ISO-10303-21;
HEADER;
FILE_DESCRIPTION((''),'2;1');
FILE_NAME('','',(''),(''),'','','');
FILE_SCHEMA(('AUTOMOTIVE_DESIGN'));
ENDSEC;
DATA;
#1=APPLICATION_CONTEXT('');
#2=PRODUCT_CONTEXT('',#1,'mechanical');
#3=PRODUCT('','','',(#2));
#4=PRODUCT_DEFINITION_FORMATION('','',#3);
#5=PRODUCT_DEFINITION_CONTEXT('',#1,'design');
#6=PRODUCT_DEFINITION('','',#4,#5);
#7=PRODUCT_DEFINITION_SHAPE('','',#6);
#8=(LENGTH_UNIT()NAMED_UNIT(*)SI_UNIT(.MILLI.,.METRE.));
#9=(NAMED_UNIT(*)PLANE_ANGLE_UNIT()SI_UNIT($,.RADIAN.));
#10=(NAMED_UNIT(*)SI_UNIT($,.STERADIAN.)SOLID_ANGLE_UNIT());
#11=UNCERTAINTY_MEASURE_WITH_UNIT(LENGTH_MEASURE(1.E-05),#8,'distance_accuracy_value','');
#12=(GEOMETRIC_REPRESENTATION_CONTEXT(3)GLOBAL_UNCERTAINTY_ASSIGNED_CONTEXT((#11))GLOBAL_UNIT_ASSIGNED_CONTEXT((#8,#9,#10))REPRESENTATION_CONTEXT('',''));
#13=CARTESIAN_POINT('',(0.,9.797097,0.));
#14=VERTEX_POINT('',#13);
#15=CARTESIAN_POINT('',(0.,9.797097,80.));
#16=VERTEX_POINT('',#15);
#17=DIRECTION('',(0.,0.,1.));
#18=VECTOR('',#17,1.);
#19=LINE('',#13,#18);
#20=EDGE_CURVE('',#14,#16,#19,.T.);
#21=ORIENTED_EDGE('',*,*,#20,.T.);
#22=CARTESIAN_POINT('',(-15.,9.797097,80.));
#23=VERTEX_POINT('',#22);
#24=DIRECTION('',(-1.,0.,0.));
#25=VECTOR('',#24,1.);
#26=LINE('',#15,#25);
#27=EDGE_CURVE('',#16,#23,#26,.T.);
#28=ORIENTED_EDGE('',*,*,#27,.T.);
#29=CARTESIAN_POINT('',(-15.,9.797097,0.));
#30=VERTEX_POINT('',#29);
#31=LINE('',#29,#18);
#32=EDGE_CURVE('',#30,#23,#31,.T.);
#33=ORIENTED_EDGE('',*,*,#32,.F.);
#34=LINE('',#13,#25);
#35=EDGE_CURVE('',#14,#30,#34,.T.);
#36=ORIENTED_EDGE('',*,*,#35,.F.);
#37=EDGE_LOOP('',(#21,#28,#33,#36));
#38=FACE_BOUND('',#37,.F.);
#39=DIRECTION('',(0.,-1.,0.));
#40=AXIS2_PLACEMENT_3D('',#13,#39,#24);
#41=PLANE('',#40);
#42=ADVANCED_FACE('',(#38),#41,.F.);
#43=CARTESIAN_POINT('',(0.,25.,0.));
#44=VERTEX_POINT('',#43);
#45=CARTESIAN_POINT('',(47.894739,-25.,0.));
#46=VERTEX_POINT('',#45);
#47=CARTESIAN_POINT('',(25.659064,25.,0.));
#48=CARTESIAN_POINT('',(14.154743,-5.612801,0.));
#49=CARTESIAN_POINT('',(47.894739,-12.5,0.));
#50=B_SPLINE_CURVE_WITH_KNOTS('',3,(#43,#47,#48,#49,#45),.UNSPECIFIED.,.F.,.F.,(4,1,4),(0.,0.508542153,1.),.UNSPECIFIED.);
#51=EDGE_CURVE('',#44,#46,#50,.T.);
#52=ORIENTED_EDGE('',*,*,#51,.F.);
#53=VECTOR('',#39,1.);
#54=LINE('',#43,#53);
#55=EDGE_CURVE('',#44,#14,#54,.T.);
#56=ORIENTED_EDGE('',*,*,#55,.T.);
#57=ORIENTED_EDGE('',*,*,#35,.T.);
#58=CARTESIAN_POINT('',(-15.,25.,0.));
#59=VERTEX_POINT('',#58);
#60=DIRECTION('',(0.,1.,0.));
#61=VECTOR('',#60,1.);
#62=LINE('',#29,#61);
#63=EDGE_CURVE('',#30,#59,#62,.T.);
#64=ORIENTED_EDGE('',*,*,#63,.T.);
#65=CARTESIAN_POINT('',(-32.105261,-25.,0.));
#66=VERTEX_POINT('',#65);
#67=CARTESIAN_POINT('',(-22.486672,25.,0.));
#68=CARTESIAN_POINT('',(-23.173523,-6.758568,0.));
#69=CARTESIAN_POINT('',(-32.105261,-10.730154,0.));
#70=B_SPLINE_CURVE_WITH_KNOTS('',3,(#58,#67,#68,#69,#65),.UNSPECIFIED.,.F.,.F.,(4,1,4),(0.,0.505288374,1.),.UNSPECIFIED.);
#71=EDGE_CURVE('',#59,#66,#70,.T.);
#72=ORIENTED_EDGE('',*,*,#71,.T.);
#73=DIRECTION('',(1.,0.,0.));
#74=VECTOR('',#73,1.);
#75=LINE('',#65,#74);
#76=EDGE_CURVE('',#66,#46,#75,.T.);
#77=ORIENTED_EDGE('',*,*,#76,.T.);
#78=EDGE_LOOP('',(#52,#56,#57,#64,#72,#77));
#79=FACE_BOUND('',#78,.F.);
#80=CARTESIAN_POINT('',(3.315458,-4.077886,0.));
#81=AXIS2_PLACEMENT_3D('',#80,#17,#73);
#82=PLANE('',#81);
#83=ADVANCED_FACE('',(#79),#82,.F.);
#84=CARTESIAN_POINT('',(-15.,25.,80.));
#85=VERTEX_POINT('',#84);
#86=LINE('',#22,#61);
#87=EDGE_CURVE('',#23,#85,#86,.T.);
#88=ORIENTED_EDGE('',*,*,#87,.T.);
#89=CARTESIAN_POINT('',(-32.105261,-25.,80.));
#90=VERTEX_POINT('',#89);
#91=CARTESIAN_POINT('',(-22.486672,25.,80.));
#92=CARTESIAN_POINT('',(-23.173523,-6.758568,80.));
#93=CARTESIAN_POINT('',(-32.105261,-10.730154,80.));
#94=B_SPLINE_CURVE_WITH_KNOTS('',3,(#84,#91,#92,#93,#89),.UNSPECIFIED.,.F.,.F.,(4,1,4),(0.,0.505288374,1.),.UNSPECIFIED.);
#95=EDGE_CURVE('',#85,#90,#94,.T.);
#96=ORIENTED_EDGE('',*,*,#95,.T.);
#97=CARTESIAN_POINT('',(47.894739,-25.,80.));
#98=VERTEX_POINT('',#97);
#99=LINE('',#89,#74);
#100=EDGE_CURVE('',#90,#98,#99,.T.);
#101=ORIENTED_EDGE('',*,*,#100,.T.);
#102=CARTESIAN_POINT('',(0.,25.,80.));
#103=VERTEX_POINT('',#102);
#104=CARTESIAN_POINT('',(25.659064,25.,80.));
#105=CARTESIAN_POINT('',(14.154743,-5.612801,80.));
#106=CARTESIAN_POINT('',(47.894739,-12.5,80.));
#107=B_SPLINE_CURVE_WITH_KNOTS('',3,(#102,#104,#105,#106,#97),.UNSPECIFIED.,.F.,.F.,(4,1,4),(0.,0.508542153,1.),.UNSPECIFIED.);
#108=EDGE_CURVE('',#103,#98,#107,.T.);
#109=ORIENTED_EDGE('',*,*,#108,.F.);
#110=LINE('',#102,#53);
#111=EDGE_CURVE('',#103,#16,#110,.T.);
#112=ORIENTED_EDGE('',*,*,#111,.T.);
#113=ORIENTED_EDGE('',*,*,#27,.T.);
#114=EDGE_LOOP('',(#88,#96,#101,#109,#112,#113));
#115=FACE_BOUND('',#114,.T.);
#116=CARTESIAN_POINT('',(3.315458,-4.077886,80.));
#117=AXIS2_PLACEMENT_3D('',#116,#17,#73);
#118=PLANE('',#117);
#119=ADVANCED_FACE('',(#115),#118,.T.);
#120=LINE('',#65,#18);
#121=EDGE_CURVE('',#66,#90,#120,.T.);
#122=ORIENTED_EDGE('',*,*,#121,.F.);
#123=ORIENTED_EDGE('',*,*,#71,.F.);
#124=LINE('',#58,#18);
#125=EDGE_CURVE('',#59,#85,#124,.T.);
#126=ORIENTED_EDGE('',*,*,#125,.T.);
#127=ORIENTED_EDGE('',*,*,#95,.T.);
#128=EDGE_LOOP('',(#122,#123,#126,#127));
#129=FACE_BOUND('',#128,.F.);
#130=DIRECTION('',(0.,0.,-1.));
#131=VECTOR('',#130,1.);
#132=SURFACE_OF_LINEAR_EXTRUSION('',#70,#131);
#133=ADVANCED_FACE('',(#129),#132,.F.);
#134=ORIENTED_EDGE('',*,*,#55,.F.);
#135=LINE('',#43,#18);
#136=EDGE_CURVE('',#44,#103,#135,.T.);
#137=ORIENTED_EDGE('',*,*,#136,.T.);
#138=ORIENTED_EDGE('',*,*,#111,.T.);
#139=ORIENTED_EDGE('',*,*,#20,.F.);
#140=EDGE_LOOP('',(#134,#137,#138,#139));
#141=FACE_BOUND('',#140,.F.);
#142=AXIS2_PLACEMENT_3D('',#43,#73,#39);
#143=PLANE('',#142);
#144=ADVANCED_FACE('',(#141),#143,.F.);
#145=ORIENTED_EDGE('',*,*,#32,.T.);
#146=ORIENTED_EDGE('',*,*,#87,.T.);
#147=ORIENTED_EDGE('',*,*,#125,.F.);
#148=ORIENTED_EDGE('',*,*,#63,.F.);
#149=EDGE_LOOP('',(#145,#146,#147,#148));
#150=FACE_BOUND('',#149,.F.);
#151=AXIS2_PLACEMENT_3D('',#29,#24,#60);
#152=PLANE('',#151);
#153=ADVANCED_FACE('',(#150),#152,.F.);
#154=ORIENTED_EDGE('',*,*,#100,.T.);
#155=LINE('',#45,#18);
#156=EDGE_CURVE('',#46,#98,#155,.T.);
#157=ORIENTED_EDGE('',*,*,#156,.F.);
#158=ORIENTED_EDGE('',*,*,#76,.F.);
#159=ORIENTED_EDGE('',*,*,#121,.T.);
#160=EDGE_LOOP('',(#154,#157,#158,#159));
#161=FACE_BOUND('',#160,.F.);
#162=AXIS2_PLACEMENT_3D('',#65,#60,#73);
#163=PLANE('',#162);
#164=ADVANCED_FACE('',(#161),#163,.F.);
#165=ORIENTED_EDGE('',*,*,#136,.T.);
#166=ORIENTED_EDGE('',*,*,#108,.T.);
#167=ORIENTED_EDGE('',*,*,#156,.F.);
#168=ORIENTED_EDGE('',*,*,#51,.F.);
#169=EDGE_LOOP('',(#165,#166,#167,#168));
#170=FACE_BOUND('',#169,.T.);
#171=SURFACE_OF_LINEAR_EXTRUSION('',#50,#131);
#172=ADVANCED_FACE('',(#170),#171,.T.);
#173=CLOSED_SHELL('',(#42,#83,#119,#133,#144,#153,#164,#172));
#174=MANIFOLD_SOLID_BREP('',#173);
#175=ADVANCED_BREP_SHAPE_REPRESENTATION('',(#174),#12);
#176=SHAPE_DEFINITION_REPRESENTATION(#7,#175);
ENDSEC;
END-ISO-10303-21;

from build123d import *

# Parameters (mm, degrees)
F1_DEPTH = 80


with BuildPart() as f1:
    # F0 (on Top) → F1 (new body)
    with BuildSketch(Plane.XY):
        with BuildLine():
            Line((-32.1052614199, -25), (0, -25))
            Line((0, -25), (47.8947385801, -25))
            add(Edge.make_bspline(
                [(0, 25), (25.659063831, 25), (14.1547425884, -5.6128009824), (47.8947385801, -12.5), (47.8947385801, -25)],
                knots=[0, 0, 0, 0, 0.5085421527, 1, 1, 1, 1], degree=3))
            Line((0, 25), (0, 9.7970971838))
            Line((0, 9.7970971838), (-15, 9.7970971838))
            Line((-15, 9.7970971838), (-15, 25))
            add(Edge.make_bspline(
                [(-15, 25), (-22.4866718054, 25), (-23.1735226144, -6.7585684546), (-32.1052614199, -10.730153881), (-32.1052614199, -25)],
                knots=[0, 0, 0, 0, 0.505288374, 1, 1, 1, 1], degree=3))
        make_face()
    extrude(amount=F1_DEPTH)


solid = f1.part
